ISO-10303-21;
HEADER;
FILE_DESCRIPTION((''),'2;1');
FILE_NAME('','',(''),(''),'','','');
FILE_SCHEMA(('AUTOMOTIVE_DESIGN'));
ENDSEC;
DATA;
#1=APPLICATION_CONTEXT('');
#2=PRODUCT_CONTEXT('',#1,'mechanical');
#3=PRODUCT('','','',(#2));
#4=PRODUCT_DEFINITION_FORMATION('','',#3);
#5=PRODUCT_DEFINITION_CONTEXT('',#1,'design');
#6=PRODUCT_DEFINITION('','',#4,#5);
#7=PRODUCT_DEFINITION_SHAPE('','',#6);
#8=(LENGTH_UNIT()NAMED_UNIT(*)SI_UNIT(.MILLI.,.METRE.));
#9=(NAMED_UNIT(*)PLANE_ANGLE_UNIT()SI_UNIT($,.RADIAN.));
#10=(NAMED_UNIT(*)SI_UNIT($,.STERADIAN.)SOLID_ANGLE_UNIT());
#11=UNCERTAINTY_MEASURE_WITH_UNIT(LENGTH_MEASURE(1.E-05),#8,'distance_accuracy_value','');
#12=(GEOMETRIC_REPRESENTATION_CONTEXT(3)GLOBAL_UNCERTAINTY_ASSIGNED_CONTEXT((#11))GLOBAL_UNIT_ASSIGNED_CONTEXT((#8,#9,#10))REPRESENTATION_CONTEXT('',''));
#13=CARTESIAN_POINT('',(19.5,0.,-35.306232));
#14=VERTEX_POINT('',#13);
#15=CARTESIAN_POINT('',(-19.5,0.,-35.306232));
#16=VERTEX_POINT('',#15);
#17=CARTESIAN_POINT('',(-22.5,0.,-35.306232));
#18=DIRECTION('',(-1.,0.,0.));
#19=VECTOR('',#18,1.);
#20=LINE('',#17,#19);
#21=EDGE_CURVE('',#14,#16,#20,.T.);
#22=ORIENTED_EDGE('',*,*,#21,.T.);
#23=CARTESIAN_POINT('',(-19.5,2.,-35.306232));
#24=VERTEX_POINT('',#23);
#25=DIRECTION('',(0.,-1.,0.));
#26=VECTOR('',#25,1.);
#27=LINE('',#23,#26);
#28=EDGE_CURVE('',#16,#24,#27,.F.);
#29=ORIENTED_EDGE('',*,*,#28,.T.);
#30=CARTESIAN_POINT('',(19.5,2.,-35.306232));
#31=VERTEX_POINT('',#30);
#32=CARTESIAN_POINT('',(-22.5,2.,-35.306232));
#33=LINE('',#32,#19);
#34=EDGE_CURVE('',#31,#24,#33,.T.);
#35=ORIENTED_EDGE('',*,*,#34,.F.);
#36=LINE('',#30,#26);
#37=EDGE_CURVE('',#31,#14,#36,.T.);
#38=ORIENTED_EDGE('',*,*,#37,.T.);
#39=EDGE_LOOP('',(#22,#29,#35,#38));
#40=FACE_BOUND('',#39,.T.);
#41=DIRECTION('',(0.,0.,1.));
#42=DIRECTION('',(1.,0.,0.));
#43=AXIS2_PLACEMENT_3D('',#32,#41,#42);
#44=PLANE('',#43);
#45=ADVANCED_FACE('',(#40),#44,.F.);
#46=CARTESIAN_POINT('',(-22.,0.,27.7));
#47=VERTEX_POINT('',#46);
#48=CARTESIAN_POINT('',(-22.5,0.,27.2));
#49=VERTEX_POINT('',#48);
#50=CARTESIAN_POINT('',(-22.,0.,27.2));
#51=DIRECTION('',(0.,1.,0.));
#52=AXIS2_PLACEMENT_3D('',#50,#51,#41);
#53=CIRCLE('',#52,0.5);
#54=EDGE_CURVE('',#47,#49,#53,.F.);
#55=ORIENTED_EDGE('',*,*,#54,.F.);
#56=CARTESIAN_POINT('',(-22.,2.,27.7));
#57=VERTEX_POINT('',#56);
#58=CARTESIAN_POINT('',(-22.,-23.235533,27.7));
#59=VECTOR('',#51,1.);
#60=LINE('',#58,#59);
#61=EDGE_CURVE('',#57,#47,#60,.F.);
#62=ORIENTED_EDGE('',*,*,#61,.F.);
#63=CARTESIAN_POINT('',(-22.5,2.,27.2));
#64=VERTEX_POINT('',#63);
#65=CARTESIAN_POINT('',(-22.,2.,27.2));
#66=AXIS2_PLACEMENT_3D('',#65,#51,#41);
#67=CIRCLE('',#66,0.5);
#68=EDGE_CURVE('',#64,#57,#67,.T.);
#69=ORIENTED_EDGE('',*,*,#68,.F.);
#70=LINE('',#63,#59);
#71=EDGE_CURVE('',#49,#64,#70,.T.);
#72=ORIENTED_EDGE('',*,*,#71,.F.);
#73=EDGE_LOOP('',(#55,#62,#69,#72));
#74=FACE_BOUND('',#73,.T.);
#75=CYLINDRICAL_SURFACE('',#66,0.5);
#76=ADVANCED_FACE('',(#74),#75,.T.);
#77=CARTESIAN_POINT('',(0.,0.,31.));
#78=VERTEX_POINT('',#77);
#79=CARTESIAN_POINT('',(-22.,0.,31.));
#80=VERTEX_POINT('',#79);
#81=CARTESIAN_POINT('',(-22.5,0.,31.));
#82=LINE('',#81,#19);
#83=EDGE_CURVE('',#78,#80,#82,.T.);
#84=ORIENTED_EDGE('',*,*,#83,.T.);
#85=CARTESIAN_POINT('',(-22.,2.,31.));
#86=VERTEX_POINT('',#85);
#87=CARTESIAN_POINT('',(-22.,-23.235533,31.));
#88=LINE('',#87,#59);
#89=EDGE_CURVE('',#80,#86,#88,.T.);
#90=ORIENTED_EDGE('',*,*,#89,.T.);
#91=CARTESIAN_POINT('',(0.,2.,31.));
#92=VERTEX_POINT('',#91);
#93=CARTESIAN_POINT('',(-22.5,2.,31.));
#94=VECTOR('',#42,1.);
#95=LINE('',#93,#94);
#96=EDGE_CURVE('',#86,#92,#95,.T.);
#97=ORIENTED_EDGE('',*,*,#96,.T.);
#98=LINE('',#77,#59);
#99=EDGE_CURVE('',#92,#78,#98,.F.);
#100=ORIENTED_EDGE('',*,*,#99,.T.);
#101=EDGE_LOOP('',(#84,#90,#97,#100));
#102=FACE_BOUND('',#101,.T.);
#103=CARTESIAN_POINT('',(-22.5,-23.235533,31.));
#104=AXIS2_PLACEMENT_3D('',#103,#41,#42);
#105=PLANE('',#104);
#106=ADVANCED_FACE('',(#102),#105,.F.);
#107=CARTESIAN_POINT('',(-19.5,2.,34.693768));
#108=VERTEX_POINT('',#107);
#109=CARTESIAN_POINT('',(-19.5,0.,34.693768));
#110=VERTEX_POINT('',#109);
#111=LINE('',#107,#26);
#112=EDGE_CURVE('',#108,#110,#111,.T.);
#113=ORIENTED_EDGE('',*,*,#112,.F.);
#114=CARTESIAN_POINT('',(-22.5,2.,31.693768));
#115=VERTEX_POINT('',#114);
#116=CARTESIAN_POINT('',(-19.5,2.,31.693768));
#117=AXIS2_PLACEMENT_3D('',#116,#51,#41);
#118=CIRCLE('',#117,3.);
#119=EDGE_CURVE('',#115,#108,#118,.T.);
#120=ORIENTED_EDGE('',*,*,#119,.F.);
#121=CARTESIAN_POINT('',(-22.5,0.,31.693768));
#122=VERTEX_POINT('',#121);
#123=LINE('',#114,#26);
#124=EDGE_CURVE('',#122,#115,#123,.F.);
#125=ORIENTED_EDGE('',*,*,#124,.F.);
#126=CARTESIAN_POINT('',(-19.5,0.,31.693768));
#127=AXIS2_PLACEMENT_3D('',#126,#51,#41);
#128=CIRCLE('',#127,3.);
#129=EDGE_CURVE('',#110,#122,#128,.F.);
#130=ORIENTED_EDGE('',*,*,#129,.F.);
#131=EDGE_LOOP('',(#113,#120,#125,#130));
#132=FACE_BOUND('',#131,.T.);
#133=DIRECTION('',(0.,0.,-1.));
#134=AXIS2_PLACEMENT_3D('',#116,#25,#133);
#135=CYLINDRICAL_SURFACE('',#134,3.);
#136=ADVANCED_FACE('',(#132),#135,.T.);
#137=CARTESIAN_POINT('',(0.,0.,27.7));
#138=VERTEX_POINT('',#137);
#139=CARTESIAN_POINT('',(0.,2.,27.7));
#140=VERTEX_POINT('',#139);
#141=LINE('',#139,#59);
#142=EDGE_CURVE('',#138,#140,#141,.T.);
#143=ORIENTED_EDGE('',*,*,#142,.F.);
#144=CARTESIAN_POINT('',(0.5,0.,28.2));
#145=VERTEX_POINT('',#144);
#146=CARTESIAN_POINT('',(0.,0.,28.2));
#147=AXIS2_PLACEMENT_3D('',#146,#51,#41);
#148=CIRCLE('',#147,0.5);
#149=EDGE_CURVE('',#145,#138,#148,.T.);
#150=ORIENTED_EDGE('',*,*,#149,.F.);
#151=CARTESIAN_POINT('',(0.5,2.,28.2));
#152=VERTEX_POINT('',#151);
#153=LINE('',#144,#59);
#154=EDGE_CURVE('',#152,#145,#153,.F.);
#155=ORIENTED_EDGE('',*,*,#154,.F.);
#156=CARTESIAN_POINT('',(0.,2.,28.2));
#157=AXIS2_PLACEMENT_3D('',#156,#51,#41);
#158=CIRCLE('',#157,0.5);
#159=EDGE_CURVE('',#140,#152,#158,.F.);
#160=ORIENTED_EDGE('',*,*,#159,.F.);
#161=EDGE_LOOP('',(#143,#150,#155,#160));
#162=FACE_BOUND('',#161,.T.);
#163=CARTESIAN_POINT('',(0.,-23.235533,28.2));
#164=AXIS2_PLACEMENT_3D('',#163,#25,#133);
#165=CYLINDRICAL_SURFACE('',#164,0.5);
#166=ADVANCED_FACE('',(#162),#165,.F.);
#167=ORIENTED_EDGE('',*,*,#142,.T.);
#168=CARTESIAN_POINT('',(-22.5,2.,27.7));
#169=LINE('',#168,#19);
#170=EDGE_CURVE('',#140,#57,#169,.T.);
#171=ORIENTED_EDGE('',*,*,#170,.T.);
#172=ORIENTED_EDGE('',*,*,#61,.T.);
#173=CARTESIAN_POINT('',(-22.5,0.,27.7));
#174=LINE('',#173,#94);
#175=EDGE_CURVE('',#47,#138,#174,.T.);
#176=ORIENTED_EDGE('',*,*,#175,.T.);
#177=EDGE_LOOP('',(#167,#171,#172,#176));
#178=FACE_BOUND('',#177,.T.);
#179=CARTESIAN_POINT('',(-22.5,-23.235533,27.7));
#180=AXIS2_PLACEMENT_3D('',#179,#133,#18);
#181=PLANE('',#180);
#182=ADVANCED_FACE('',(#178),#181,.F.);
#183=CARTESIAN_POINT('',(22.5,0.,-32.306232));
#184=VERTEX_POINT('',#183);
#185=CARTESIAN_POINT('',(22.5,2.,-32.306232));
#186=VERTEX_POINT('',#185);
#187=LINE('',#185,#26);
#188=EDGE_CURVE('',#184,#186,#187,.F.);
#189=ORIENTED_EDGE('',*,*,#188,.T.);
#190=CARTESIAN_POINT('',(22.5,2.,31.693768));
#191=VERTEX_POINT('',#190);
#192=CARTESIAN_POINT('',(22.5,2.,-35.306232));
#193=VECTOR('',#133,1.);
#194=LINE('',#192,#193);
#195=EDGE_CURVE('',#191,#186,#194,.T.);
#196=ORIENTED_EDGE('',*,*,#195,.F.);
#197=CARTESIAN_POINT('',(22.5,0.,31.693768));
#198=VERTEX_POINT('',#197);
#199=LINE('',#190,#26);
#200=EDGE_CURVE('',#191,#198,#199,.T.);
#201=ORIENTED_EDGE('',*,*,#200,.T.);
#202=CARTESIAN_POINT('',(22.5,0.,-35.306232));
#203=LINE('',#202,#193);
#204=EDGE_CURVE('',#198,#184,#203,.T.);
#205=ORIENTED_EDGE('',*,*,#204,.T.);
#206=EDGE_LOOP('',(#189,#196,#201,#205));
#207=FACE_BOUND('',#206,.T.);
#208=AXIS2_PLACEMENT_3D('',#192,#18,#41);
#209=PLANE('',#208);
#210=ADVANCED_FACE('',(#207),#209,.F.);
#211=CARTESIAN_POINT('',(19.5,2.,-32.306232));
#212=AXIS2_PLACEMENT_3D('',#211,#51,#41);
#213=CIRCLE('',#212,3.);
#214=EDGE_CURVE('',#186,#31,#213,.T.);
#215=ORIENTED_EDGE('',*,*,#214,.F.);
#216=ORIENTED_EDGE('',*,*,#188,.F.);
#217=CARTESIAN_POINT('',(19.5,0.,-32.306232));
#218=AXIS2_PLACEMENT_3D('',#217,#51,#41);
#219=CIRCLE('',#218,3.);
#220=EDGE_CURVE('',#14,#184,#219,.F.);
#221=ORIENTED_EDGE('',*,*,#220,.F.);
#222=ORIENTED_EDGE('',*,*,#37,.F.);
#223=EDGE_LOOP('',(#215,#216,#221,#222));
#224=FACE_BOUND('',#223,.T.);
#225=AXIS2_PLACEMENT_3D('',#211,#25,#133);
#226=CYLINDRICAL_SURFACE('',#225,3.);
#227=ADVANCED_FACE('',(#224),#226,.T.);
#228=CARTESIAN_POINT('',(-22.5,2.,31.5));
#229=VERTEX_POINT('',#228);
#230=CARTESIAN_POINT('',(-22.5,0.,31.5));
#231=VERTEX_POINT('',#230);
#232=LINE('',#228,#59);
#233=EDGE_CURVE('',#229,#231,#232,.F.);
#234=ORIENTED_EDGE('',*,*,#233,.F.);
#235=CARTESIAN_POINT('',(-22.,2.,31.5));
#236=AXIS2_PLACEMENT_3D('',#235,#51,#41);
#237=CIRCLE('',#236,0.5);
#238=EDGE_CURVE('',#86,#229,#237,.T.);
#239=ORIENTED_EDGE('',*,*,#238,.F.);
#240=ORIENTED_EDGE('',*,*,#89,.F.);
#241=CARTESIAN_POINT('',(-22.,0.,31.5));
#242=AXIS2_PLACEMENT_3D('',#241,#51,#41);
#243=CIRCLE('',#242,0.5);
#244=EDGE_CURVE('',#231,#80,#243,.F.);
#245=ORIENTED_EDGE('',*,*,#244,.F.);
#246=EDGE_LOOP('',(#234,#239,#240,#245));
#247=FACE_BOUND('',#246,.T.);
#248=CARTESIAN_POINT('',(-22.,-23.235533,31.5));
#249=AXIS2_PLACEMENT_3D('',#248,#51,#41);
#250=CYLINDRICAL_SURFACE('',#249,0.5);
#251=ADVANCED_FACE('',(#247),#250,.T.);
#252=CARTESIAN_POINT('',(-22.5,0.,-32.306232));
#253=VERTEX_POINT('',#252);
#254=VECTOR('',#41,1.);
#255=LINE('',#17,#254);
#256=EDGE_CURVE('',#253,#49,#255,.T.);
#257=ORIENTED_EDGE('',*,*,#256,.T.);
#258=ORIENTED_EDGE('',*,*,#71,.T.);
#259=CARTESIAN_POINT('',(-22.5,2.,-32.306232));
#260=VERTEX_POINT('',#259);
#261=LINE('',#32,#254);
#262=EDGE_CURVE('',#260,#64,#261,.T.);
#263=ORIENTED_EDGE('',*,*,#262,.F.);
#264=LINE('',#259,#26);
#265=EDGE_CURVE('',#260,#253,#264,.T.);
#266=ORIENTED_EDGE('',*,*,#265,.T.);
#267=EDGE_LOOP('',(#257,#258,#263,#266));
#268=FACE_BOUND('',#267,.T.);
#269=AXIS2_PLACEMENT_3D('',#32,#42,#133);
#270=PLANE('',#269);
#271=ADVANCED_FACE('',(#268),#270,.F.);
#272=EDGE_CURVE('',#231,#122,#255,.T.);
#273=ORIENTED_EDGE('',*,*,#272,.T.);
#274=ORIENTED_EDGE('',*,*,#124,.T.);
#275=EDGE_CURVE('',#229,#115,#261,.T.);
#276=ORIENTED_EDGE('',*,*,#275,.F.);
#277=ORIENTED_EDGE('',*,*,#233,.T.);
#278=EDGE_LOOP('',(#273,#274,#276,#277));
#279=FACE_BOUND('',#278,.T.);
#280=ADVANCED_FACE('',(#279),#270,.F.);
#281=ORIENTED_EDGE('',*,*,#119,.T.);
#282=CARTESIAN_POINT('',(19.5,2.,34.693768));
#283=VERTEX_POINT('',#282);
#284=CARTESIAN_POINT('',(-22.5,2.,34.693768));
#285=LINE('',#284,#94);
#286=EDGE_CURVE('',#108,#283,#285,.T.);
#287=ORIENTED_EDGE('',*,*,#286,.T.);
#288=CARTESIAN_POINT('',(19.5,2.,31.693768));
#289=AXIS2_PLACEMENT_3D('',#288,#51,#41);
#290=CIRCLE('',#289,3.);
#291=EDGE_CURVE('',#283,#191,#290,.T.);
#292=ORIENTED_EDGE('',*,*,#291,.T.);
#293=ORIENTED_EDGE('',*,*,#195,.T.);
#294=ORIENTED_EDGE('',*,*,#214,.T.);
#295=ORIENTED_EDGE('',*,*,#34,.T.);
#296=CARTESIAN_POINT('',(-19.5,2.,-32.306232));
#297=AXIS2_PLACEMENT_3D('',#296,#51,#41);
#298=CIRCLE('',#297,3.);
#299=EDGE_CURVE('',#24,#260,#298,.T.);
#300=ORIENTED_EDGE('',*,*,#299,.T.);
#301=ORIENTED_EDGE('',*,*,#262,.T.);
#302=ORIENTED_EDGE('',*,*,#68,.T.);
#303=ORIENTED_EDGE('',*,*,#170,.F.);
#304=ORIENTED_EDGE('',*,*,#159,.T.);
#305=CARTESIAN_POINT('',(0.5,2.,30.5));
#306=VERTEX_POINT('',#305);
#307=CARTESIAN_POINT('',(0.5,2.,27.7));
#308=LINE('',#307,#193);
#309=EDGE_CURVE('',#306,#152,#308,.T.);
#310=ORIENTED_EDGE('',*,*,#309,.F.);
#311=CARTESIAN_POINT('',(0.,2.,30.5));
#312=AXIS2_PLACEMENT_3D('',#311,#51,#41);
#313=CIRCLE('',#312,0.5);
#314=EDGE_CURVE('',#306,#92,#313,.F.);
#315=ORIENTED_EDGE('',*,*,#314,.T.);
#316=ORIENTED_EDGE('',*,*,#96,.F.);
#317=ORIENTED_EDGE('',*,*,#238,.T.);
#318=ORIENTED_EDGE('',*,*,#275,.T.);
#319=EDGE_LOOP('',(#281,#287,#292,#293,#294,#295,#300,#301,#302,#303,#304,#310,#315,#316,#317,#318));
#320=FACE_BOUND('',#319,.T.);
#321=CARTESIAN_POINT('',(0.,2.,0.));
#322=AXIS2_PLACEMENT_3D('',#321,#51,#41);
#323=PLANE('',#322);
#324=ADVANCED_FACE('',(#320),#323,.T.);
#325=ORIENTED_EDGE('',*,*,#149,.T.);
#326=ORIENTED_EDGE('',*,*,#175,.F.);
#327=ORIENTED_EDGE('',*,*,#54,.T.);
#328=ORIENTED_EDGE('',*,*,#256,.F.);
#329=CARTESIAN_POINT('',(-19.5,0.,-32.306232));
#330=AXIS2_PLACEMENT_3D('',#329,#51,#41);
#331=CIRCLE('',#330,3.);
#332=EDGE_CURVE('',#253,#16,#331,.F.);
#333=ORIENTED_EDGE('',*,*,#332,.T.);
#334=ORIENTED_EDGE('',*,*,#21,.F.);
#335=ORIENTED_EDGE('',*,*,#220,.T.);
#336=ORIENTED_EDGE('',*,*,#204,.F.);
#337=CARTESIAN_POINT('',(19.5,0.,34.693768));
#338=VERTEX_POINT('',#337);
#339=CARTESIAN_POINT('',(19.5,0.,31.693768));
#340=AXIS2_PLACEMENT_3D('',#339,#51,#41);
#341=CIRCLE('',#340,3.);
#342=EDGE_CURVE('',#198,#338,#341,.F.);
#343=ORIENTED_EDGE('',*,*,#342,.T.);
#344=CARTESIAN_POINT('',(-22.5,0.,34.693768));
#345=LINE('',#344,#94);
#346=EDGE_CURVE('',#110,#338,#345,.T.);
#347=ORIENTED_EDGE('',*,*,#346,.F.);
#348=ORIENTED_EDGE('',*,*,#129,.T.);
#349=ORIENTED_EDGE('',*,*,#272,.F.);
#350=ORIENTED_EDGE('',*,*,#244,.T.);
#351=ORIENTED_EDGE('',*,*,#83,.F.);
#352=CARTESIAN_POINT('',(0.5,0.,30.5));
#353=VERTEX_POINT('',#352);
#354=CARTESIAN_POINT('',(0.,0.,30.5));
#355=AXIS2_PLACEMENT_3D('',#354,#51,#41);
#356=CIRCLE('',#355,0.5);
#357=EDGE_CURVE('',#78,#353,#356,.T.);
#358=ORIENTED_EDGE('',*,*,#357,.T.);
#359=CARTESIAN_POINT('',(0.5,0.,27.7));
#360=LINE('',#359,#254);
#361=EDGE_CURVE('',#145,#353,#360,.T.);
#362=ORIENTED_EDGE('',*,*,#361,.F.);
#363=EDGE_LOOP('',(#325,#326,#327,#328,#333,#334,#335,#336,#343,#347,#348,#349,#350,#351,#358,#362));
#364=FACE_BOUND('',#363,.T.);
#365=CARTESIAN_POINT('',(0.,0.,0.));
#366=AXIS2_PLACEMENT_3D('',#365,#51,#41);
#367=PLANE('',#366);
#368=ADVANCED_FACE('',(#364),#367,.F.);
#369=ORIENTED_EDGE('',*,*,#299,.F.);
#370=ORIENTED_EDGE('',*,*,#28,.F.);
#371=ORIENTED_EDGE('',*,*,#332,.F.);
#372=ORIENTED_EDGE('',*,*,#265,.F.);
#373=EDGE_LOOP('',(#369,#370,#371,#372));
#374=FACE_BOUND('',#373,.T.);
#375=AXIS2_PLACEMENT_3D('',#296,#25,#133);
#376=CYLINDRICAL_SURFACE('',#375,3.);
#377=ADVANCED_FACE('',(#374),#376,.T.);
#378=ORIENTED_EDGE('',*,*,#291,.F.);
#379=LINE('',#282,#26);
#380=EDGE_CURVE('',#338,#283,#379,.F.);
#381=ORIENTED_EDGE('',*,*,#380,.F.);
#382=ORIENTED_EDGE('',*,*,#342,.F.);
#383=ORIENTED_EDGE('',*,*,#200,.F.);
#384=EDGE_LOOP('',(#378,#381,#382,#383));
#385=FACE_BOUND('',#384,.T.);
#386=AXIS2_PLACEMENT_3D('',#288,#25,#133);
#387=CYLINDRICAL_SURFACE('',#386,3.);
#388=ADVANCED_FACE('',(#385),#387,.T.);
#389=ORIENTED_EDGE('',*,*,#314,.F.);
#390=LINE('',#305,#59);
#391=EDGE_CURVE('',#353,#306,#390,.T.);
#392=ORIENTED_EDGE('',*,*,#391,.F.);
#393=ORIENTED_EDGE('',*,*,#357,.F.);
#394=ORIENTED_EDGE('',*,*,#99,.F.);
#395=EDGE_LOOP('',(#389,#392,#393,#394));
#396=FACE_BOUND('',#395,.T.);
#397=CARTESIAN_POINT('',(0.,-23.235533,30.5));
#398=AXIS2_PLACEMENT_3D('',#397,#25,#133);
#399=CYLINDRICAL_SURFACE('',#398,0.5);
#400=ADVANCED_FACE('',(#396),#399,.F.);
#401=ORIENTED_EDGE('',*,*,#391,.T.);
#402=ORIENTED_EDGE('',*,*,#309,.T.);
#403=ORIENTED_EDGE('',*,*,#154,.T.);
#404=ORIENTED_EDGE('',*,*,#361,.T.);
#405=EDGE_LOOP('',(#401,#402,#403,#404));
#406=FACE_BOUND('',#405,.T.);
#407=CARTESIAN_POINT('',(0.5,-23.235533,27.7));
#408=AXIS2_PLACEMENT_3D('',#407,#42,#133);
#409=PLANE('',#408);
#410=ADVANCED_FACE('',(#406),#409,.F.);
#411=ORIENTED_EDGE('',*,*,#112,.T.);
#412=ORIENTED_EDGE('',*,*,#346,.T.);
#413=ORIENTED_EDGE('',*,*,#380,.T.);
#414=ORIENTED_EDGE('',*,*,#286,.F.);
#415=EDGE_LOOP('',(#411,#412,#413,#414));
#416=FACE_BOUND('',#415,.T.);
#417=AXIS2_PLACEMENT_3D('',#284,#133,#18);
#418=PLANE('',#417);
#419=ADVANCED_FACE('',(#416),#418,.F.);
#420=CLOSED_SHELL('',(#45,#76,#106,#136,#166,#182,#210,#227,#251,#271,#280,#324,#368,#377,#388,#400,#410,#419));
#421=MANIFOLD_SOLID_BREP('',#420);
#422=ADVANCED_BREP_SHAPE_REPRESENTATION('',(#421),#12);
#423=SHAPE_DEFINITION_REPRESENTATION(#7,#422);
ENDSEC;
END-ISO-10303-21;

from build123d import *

# Parameters (mm, degrees)
CROQUIS1_W              = 45
CROQUIS1_H              = 70
SALIENTE_EXTRUIR1_DEPTH = 2
CROQUIS2_W              = 23
CROQUIS2_H              = 3.3
CORTAR_EXTRUIR1_DEPTH   = 2
REDONDEO1_R             = 3
REDONDEO2_R             = 0.5


with BuildPart() as part:
    # Croquis1 → Saliente-Extruir1 (new body)
    with BuildSketch(Plane(origin=(0, 0, 0), x_dir=(1, 0, 0), z_dir=(0, 1, 0))):
        with Locations((0, 0.306231574)):
            Rectangle(CROQUIS1_W, CROQUIS1_H)
    extrude(amount=SALIENTE_EXTRUIR1_DEPTH)

    # Croquis2 → Cortar-Extruir1 (cut)
    with BuildSketch(Plane(origin=(0, 2, 0), x_dir=(1, 0, 0), z_dir=(0, 1, 0))):
        with Locations((-11, -29.35)):
            Rectangle(CROQUIS2_W, CROQUIS2_H)
    extrude(amount=-CORTAR_EXTRUIR1_DEPTH, mode=Mode.SUBTRACT)

    # Redondeo1
    redondeo1_edges = [part.edges().sort_by_distance(p)[0] for p in [
        (-22.5, 1, -35.306231574),
        (22.5, 1, -35.306231574),
        (22.5, 1, 34.693768426),
        (-22.5, 1, 34.693768426),
    ]]
    fillet(redondeo1_edges, radius=REDONDEO1_R)

    # Redondeo2
    redondeo2_edges = [part.edges().sort_by_distance(p)[0] for p in [
        (-22.5, 1, 31),
        (-22.5, 1, 27.7),
        (0.5, 1, 27.7),
        (0.5, 1, 31),
    ]]
    fillet(redondeo2_edges, radius=REDONDEO2_R)


solid = part.part
